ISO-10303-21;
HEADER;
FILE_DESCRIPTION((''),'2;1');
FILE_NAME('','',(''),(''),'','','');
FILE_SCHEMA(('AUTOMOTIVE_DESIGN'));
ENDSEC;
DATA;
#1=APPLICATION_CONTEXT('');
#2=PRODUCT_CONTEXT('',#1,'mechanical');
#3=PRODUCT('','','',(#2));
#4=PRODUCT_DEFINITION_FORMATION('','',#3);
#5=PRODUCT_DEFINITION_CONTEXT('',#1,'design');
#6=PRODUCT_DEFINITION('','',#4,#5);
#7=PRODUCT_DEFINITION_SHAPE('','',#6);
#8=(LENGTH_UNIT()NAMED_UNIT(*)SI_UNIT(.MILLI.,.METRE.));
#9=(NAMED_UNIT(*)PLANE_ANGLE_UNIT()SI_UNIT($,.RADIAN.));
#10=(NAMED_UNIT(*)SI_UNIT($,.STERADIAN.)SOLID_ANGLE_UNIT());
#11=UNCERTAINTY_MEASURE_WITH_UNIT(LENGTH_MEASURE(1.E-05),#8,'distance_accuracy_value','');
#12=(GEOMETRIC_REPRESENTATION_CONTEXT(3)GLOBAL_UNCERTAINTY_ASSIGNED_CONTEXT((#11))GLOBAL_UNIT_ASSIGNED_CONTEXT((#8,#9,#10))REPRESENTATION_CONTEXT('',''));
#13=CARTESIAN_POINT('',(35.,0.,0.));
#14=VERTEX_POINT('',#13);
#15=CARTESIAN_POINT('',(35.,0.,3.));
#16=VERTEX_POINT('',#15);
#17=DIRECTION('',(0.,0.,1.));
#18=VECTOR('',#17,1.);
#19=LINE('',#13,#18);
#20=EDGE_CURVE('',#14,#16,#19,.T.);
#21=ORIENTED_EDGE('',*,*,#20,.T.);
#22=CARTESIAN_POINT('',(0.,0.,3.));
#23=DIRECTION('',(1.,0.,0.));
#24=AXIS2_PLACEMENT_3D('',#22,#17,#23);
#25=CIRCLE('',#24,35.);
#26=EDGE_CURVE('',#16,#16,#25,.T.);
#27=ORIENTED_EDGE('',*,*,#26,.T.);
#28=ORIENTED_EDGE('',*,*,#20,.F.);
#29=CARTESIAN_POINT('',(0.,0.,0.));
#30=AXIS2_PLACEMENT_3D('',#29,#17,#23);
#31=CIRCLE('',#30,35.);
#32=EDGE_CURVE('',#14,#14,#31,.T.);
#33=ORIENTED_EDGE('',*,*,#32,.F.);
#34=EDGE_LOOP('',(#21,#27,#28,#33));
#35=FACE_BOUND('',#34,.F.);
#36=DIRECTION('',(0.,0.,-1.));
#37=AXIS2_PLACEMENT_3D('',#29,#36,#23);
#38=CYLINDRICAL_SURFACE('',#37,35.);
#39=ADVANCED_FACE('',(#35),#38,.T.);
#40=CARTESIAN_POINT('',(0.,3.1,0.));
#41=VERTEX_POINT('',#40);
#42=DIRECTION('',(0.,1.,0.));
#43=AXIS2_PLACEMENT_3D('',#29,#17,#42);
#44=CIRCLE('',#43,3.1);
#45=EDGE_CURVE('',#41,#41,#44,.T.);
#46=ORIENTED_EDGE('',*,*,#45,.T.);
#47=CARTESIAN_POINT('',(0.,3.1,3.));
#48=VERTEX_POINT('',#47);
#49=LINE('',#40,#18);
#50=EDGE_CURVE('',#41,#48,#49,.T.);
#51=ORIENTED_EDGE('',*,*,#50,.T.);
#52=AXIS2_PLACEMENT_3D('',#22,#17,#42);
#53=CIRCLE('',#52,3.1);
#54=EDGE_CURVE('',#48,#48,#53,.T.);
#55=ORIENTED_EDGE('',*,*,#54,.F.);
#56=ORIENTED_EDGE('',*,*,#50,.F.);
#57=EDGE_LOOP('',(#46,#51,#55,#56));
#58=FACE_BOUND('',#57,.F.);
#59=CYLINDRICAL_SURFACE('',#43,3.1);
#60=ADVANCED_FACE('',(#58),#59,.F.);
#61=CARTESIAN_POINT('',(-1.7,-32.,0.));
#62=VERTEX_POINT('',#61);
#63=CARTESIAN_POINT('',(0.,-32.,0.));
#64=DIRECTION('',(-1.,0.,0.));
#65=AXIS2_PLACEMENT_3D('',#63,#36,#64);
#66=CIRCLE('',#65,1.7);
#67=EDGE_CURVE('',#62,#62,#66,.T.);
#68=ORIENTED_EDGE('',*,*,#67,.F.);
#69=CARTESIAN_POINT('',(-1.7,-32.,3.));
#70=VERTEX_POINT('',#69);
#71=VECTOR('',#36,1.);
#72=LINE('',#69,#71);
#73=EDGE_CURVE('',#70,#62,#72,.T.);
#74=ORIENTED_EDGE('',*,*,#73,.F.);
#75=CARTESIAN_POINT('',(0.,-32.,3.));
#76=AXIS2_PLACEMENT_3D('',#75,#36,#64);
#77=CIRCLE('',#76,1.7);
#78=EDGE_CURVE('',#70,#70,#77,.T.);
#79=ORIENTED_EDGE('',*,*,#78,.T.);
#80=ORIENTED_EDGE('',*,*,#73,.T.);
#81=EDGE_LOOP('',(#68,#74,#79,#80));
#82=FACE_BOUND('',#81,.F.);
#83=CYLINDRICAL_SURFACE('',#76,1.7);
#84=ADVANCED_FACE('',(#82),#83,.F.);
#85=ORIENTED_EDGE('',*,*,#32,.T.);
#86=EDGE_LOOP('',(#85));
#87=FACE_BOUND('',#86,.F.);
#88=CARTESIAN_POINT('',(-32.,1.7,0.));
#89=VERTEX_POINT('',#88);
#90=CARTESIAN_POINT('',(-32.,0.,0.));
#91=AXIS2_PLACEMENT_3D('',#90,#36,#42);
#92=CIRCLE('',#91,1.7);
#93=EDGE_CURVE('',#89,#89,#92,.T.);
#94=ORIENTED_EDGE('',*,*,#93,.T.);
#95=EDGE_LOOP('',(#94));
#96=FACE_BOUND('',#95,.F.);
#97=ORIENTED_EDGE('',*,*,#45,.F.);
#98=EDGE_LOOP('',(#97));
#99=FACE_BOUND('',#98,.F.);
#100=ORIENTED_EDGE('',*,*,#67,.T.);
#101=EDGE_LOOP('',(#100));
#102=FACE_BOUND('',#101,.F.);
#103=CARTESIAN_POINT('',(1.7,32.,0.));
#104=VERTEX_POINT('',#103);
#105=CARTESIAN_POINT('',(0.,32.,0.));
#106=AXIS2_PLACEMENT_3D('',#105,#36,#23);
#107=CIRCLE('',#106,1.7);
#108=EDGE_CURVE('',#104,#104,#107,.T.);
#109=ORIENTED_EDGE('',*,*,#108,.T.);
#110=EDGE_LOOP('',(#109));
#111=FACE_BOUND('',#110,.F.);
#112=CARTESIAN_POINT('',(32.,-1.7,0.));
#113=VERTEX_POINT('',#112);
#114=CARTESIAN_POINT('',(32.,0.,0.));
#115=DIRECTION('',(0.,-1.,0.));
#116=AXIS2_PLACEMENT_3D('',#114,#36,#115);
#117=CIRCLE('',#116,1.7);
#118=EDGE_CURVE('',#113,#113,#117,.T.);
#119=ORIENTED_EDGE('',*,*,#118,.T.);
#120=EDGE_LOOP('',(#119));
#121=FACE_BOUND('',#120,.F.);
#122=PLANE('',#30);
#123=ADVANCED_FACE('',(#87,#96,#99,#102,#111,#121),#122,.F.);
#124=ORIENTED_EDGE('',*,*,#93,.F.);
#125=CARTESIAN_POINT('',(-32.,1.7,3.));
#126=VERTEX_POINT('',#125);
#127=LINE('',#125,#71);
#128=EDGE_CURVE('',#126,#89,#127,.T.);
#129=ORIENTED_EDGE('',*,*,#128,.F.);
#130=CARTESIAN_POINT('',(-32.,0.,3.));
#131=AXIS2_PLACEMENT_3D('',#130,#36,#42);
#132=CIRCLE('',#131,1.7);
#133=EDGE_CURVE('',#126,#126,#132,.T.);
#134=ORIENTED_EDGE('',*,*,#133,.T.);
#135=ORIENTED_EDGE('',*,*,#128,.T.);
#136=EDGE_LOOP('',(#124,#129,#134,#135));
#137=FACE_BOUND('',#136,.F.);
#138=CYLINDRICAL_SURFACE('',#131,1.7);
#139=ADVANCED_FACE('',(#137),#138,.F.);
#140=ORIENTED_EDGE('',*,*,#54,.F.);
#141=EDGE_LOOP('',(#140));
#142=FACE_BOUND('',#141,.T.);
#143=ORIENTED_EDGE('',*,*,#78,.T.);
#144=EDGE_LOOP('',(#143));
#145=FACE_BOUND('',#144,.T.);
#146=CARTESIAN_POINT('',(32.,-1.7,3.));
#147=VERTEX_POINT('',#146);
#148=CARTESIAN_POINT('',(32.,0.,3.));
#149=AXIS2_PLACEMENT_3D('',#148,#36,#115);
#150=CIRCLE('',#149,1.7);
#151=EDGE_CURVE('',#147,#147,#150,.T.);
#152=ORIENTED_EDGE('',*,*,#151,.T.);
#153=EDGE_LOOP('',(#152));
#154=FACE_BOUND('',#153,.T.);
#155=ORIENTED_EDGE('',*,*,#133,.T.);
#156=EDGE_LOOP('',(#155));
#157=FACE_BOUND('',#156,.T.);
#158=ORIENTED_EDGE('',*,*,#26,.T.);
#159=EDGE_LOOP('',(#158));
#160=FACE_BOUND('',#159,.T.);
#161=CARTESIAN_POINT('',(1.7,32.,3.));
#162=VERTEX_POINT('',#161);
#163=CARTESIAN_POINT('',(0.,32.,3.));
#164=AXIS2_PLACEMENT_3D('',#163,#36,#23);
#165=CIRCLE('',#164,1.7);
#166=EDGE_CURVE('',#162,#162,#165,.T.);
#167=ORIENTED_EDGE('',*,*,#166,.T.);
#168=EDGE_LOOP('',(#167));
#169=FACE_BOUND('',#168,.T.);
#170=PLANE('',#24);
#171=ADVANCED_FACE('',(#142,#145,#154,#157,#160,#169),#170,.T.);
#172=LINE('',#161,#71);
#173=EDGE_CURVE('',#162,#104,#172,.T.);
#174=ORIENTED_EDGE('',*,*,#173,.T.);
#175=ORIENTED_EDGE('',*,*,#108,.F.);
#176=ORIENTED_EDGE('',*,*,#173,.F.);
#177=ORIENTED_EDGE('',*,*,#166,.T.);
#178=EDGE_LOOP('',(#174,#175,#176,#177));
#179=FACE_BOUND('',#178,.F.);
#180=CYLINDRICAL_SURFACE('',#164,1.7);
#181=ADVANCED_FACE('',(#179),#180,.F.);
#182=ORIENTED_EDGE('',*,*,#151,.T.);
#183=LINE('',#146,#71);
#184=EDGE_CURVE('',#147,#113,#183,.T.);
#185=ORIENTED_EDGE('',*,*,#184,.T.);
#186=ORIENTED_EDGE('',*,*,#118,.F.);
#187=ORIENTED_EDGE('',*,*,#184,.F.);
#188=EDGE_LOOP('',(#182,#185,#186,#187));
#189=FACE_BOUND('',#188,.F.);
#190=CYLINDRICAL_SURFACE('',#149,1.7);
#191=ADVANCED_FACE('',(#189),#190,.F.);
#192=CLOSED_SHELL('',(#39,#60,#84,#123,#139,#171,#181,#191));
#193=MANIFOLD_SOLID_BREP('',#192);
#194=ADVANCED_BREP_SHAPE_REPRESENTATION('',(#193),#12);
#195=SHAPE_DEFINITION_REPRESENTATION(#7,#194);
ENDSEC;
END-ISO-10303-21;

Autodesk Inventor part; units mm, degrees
ref_plane "YZ Plane" through (0, 0, 0) normal (1, 0, 0) x (0, 1, 0)
ref_plane "XZ Plane" through (0, 0, 0) normal (0, 1, 0) x (-1, 0, 0)
ref_plane "XY Plane" through (0, 0, 0) normal (0, 0, 1) x (1, 0, 0)
sketch "Sketch1" plane through (0, 0, 0) normal (0, 0, 1) x (1, 0, 0)
  circle A0 centre (0, 0) radius 35
  dimension "d0" = 70
extrude "Extrusion1" add sketch "Sketch1" along normal blind 3
sketch "Sketch2" plane through (0, 0, 3) normal (0, 0, 1) x (1, 0, 0)
  circle A0 centre (0, 0) radius 32 construction
  point P0 (32, 0)
  dimension "d3" = 64
hole "Hole1" at (32, 0, 3) direction (0, 0, -1) diameter 3.4 depth 10 tip angle 118
pattern_circular "Circular Pattern1" count 4 over 360 about axis through (0, 0, 0) along (0, 0, 1) of "Hole1"
hole "Hole2" at (0, 0, 0) direction (0, 0, 1) diameter 6.2 end through all
properties part number "anode_holder" material "Copper"
